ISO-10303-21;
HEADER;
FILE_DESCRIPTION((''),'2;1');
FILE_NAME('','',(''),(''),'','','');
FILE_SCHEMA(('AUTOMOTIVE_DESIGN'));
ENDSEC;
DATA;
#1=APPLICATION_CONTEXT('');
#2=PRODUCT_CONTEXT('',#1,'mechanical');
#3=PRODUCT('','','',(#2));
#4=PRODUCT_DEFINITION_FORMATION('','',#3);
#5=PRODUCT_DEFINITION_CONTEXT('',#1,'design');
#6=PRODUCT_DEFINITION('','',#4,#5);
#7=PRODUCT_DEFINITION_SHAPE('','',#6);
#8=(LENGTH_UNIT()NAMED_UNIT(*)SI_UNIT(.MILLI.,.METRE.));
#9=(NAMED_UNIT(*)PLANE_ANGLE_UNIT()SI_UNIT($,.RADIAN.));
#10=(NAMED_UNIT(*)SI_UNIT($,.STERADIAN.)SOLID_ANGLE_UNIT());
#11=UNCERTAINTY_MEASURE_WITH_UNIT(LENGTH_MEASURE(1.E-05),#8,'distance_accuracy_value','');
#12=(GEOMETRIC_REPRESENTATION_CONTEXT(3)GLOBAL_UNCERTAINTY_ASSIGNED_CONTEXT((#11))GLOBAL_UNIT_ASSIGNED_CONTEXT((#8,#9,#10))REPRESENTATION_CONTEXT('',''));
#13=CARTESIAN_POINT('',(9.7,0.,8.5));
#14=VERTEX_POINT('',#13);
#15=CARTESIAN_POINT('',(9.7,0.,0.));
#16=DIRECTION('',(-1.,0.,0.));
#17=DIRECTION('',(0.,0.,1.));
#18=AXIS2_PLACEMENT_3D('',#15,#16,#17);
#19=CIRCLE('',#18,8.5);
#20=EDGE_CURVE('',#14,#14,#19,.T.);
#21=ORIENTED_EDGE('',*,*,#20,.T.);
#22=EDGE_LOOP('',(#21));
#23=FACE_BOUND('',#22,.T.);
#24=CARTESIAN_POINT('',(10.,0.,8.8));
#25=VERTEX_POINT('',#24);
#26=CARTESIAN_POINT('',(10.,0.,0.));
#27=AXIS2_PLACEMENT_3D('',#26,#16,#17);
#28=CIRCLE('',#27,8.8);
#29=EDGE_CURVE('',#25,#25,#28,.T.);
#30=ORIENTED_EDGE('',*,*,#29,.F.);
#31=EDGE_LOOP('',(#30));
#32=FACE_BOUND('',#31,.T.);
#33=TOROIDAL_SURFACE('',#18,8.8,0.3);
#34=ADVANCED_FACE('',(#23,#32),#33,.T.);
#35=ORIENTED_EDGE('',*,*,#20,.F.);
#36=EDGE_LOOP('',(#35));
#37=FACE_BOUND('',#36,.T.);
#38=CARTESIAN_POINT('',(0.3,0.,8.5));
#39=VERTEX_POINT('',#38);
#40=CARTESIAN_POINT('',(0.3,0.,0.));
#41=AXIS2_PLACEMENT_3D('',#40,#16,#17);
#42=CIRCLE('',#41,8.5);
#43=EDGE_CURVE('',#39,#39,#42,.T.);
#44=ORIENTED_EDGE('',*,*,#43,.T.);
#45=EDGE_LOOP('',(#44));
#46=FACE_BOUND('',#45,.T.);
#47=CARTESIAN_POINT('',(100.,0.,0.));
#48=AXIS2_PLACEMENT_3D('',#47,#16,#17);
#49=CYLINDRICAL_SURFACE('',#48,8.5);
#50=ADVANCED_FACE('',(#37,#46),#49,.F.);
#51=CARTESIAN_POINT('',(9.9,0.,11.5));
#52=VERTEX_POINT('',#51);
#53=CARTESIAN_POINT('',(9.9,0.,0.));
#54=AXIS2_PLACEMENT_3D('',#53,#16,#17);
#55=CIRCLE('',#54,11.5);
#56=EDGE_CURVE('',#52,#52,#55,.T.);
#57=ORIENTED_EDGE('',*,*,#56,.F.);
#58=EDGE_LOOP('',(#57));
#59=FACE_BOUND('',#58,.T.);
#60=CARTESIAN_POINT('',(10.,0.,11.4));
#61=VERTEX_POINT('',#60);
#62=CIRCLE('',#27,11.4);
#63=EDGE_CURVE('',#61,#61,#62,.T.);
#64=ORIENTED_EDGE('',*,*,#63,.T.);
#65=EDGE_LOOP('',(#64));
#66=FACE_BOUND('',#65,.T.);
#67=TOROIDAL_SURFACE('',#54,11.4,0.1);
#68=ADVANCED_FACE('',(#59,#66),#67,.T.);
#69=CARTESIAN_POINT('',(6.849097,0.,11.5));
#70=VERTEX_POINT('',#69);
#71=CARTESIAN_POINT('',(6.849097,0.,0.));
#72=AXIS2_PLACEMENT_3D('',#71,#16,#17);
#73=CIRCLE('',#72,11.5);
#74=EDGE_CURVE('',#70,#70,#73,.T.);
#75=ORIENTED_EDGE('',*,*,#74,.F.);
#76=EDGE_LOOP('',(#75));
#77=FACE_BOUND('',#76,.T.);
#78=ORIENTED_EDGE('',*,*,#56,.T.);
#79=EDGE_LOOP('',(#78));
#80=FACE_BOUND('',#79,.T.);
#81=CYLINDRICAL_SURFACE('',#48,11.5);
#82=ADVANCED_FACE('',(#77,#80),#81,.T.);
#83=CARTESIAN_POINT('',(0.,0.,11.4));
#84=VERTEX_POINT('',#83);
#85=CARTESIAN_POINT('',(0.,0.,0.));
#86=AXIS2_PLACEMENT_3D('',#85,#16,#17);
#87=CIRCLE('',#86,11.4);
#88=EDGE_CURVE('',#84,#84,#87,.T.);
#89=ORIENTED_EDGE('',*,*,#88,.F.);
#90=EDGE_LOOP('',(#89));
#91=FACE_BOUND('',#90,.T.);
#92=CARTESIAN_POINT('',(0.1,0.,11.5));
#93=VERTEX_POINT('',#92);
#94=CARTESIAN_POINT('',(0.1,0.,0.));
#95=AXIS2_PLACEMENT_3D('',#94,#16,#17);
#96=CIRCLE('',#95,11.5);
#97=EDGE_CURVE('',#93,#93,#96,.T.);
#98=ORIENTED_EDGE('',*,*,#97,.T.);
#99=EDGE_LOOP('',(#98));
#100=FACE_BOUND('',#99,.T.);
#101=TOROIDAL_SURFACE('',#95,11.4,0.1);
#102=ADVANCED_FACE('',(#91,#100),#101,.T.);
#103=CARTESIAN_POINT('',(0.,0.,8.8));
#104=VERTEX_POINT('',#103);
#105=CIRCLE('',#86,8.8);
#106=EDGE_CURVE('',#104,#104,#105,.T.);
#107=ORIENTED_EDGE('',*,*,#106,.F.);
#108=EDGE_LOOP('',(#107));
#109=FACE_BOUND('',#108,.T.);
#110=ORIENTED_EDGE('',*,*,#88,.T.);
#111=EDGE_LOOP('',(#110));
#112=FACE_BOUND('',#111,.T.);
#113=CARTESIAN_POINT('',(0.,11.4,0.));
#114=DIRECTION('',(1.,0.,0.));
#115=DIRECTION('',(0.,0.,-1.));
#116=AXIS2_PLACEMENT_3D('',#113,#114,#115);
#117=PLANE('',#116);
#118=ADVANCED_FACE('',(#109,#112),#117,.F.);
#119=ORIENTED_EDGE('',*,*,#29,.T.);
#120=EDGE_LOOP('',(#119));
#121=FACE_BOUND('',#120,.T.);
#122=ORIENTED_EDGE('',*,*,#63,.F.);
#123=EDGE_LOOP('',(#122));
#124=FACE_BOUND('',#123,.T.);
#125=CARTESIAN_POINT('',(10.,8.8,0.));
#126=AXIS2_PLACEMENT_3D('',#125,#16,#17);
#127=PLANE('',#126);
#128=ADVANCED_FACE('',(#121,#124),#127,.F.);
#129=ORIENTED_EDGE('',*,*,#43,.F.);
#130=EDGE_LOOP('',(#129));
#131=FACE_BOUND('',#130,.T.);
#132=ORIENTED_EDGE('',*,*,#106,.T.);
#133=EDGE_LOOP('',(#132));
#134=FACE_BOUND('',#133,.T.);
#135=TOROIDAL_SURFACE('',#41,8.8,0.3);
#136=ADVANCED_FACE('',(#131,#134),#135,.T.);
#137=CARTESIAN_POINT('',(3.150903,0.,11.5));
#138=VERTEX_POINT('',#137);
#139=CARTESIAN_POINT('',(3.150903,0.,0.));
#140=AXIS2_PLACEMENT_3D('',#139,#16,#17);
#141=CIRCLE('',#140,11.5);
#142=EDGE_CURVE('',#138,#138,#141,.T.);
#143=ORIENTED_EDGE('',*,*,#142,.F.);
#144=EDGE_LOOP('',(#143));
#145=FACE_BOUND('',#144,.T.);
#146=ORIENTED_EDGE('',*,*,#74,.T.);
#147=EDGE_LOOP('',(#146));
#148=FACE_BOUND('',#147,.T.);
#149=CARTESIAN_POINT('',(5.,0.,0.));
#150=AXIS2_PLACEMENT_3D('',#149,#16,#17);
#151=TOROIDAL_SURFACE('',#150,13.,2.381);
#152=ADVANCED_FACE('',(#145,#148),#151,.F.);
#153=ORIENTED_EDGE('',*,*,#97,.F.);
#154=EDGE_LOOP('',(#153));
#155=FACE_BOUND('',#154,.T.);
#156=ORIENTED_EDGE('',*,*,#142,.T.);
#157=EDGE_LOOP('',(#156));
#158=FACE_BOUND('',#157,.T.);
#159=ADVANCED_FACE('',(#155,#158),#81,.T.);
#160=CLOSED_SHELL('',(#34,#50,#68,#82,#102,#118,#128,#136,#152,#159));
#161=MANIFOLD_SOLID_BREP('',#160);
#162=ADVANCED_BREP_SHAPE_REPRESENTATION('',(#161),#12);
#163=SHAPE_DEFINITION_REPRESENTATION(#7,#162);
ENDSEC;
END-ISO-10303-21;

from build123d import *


with BuildPart() as part:
    # Esquisse1 → Révolution1 (revolve)
    with BuildSketch(Plane.XY, mode=Mode.PRIVATE) as r_volution1_sk:
        with BuildLine():
            Line((0.3, 8.5), (9.7, 8.5))
            ThreePointArc((9.7, 8.5), (9.912132034, 8.587867966), (10, 8.8))
            Line((10, 8.8), (10, 11.4))
            ThreePointArc((10, 11.4), (9.970710678, 11.470710678), (9.9, 11.5))
            Line((9.9, 11.5), (6.849097347, 11.5))
            ThreePointArc((6.849097347, 11.5), (5, 10.619), (3.150902653, 11.5))
            Line((3.150902653, 11.5), (0.1, 11.5))
            ThreePointArc((0.1, 11.5), (0.029289322, 11.470710678), (0, 11.4))
            Line((0, 11.4), (0, 8.8))
            ThreePointArc((0, 8.8), (0.087867966, 8.587867966), (0.3, 8.5))
        make_face()
    revolve(r_volution1_sk.sketch.rotate(Axis((100, 0, 0), (-1, 0, 0)), 270), axis=Axis((100, 0, 0), (-1, 0, 0)))


solid = part.part
